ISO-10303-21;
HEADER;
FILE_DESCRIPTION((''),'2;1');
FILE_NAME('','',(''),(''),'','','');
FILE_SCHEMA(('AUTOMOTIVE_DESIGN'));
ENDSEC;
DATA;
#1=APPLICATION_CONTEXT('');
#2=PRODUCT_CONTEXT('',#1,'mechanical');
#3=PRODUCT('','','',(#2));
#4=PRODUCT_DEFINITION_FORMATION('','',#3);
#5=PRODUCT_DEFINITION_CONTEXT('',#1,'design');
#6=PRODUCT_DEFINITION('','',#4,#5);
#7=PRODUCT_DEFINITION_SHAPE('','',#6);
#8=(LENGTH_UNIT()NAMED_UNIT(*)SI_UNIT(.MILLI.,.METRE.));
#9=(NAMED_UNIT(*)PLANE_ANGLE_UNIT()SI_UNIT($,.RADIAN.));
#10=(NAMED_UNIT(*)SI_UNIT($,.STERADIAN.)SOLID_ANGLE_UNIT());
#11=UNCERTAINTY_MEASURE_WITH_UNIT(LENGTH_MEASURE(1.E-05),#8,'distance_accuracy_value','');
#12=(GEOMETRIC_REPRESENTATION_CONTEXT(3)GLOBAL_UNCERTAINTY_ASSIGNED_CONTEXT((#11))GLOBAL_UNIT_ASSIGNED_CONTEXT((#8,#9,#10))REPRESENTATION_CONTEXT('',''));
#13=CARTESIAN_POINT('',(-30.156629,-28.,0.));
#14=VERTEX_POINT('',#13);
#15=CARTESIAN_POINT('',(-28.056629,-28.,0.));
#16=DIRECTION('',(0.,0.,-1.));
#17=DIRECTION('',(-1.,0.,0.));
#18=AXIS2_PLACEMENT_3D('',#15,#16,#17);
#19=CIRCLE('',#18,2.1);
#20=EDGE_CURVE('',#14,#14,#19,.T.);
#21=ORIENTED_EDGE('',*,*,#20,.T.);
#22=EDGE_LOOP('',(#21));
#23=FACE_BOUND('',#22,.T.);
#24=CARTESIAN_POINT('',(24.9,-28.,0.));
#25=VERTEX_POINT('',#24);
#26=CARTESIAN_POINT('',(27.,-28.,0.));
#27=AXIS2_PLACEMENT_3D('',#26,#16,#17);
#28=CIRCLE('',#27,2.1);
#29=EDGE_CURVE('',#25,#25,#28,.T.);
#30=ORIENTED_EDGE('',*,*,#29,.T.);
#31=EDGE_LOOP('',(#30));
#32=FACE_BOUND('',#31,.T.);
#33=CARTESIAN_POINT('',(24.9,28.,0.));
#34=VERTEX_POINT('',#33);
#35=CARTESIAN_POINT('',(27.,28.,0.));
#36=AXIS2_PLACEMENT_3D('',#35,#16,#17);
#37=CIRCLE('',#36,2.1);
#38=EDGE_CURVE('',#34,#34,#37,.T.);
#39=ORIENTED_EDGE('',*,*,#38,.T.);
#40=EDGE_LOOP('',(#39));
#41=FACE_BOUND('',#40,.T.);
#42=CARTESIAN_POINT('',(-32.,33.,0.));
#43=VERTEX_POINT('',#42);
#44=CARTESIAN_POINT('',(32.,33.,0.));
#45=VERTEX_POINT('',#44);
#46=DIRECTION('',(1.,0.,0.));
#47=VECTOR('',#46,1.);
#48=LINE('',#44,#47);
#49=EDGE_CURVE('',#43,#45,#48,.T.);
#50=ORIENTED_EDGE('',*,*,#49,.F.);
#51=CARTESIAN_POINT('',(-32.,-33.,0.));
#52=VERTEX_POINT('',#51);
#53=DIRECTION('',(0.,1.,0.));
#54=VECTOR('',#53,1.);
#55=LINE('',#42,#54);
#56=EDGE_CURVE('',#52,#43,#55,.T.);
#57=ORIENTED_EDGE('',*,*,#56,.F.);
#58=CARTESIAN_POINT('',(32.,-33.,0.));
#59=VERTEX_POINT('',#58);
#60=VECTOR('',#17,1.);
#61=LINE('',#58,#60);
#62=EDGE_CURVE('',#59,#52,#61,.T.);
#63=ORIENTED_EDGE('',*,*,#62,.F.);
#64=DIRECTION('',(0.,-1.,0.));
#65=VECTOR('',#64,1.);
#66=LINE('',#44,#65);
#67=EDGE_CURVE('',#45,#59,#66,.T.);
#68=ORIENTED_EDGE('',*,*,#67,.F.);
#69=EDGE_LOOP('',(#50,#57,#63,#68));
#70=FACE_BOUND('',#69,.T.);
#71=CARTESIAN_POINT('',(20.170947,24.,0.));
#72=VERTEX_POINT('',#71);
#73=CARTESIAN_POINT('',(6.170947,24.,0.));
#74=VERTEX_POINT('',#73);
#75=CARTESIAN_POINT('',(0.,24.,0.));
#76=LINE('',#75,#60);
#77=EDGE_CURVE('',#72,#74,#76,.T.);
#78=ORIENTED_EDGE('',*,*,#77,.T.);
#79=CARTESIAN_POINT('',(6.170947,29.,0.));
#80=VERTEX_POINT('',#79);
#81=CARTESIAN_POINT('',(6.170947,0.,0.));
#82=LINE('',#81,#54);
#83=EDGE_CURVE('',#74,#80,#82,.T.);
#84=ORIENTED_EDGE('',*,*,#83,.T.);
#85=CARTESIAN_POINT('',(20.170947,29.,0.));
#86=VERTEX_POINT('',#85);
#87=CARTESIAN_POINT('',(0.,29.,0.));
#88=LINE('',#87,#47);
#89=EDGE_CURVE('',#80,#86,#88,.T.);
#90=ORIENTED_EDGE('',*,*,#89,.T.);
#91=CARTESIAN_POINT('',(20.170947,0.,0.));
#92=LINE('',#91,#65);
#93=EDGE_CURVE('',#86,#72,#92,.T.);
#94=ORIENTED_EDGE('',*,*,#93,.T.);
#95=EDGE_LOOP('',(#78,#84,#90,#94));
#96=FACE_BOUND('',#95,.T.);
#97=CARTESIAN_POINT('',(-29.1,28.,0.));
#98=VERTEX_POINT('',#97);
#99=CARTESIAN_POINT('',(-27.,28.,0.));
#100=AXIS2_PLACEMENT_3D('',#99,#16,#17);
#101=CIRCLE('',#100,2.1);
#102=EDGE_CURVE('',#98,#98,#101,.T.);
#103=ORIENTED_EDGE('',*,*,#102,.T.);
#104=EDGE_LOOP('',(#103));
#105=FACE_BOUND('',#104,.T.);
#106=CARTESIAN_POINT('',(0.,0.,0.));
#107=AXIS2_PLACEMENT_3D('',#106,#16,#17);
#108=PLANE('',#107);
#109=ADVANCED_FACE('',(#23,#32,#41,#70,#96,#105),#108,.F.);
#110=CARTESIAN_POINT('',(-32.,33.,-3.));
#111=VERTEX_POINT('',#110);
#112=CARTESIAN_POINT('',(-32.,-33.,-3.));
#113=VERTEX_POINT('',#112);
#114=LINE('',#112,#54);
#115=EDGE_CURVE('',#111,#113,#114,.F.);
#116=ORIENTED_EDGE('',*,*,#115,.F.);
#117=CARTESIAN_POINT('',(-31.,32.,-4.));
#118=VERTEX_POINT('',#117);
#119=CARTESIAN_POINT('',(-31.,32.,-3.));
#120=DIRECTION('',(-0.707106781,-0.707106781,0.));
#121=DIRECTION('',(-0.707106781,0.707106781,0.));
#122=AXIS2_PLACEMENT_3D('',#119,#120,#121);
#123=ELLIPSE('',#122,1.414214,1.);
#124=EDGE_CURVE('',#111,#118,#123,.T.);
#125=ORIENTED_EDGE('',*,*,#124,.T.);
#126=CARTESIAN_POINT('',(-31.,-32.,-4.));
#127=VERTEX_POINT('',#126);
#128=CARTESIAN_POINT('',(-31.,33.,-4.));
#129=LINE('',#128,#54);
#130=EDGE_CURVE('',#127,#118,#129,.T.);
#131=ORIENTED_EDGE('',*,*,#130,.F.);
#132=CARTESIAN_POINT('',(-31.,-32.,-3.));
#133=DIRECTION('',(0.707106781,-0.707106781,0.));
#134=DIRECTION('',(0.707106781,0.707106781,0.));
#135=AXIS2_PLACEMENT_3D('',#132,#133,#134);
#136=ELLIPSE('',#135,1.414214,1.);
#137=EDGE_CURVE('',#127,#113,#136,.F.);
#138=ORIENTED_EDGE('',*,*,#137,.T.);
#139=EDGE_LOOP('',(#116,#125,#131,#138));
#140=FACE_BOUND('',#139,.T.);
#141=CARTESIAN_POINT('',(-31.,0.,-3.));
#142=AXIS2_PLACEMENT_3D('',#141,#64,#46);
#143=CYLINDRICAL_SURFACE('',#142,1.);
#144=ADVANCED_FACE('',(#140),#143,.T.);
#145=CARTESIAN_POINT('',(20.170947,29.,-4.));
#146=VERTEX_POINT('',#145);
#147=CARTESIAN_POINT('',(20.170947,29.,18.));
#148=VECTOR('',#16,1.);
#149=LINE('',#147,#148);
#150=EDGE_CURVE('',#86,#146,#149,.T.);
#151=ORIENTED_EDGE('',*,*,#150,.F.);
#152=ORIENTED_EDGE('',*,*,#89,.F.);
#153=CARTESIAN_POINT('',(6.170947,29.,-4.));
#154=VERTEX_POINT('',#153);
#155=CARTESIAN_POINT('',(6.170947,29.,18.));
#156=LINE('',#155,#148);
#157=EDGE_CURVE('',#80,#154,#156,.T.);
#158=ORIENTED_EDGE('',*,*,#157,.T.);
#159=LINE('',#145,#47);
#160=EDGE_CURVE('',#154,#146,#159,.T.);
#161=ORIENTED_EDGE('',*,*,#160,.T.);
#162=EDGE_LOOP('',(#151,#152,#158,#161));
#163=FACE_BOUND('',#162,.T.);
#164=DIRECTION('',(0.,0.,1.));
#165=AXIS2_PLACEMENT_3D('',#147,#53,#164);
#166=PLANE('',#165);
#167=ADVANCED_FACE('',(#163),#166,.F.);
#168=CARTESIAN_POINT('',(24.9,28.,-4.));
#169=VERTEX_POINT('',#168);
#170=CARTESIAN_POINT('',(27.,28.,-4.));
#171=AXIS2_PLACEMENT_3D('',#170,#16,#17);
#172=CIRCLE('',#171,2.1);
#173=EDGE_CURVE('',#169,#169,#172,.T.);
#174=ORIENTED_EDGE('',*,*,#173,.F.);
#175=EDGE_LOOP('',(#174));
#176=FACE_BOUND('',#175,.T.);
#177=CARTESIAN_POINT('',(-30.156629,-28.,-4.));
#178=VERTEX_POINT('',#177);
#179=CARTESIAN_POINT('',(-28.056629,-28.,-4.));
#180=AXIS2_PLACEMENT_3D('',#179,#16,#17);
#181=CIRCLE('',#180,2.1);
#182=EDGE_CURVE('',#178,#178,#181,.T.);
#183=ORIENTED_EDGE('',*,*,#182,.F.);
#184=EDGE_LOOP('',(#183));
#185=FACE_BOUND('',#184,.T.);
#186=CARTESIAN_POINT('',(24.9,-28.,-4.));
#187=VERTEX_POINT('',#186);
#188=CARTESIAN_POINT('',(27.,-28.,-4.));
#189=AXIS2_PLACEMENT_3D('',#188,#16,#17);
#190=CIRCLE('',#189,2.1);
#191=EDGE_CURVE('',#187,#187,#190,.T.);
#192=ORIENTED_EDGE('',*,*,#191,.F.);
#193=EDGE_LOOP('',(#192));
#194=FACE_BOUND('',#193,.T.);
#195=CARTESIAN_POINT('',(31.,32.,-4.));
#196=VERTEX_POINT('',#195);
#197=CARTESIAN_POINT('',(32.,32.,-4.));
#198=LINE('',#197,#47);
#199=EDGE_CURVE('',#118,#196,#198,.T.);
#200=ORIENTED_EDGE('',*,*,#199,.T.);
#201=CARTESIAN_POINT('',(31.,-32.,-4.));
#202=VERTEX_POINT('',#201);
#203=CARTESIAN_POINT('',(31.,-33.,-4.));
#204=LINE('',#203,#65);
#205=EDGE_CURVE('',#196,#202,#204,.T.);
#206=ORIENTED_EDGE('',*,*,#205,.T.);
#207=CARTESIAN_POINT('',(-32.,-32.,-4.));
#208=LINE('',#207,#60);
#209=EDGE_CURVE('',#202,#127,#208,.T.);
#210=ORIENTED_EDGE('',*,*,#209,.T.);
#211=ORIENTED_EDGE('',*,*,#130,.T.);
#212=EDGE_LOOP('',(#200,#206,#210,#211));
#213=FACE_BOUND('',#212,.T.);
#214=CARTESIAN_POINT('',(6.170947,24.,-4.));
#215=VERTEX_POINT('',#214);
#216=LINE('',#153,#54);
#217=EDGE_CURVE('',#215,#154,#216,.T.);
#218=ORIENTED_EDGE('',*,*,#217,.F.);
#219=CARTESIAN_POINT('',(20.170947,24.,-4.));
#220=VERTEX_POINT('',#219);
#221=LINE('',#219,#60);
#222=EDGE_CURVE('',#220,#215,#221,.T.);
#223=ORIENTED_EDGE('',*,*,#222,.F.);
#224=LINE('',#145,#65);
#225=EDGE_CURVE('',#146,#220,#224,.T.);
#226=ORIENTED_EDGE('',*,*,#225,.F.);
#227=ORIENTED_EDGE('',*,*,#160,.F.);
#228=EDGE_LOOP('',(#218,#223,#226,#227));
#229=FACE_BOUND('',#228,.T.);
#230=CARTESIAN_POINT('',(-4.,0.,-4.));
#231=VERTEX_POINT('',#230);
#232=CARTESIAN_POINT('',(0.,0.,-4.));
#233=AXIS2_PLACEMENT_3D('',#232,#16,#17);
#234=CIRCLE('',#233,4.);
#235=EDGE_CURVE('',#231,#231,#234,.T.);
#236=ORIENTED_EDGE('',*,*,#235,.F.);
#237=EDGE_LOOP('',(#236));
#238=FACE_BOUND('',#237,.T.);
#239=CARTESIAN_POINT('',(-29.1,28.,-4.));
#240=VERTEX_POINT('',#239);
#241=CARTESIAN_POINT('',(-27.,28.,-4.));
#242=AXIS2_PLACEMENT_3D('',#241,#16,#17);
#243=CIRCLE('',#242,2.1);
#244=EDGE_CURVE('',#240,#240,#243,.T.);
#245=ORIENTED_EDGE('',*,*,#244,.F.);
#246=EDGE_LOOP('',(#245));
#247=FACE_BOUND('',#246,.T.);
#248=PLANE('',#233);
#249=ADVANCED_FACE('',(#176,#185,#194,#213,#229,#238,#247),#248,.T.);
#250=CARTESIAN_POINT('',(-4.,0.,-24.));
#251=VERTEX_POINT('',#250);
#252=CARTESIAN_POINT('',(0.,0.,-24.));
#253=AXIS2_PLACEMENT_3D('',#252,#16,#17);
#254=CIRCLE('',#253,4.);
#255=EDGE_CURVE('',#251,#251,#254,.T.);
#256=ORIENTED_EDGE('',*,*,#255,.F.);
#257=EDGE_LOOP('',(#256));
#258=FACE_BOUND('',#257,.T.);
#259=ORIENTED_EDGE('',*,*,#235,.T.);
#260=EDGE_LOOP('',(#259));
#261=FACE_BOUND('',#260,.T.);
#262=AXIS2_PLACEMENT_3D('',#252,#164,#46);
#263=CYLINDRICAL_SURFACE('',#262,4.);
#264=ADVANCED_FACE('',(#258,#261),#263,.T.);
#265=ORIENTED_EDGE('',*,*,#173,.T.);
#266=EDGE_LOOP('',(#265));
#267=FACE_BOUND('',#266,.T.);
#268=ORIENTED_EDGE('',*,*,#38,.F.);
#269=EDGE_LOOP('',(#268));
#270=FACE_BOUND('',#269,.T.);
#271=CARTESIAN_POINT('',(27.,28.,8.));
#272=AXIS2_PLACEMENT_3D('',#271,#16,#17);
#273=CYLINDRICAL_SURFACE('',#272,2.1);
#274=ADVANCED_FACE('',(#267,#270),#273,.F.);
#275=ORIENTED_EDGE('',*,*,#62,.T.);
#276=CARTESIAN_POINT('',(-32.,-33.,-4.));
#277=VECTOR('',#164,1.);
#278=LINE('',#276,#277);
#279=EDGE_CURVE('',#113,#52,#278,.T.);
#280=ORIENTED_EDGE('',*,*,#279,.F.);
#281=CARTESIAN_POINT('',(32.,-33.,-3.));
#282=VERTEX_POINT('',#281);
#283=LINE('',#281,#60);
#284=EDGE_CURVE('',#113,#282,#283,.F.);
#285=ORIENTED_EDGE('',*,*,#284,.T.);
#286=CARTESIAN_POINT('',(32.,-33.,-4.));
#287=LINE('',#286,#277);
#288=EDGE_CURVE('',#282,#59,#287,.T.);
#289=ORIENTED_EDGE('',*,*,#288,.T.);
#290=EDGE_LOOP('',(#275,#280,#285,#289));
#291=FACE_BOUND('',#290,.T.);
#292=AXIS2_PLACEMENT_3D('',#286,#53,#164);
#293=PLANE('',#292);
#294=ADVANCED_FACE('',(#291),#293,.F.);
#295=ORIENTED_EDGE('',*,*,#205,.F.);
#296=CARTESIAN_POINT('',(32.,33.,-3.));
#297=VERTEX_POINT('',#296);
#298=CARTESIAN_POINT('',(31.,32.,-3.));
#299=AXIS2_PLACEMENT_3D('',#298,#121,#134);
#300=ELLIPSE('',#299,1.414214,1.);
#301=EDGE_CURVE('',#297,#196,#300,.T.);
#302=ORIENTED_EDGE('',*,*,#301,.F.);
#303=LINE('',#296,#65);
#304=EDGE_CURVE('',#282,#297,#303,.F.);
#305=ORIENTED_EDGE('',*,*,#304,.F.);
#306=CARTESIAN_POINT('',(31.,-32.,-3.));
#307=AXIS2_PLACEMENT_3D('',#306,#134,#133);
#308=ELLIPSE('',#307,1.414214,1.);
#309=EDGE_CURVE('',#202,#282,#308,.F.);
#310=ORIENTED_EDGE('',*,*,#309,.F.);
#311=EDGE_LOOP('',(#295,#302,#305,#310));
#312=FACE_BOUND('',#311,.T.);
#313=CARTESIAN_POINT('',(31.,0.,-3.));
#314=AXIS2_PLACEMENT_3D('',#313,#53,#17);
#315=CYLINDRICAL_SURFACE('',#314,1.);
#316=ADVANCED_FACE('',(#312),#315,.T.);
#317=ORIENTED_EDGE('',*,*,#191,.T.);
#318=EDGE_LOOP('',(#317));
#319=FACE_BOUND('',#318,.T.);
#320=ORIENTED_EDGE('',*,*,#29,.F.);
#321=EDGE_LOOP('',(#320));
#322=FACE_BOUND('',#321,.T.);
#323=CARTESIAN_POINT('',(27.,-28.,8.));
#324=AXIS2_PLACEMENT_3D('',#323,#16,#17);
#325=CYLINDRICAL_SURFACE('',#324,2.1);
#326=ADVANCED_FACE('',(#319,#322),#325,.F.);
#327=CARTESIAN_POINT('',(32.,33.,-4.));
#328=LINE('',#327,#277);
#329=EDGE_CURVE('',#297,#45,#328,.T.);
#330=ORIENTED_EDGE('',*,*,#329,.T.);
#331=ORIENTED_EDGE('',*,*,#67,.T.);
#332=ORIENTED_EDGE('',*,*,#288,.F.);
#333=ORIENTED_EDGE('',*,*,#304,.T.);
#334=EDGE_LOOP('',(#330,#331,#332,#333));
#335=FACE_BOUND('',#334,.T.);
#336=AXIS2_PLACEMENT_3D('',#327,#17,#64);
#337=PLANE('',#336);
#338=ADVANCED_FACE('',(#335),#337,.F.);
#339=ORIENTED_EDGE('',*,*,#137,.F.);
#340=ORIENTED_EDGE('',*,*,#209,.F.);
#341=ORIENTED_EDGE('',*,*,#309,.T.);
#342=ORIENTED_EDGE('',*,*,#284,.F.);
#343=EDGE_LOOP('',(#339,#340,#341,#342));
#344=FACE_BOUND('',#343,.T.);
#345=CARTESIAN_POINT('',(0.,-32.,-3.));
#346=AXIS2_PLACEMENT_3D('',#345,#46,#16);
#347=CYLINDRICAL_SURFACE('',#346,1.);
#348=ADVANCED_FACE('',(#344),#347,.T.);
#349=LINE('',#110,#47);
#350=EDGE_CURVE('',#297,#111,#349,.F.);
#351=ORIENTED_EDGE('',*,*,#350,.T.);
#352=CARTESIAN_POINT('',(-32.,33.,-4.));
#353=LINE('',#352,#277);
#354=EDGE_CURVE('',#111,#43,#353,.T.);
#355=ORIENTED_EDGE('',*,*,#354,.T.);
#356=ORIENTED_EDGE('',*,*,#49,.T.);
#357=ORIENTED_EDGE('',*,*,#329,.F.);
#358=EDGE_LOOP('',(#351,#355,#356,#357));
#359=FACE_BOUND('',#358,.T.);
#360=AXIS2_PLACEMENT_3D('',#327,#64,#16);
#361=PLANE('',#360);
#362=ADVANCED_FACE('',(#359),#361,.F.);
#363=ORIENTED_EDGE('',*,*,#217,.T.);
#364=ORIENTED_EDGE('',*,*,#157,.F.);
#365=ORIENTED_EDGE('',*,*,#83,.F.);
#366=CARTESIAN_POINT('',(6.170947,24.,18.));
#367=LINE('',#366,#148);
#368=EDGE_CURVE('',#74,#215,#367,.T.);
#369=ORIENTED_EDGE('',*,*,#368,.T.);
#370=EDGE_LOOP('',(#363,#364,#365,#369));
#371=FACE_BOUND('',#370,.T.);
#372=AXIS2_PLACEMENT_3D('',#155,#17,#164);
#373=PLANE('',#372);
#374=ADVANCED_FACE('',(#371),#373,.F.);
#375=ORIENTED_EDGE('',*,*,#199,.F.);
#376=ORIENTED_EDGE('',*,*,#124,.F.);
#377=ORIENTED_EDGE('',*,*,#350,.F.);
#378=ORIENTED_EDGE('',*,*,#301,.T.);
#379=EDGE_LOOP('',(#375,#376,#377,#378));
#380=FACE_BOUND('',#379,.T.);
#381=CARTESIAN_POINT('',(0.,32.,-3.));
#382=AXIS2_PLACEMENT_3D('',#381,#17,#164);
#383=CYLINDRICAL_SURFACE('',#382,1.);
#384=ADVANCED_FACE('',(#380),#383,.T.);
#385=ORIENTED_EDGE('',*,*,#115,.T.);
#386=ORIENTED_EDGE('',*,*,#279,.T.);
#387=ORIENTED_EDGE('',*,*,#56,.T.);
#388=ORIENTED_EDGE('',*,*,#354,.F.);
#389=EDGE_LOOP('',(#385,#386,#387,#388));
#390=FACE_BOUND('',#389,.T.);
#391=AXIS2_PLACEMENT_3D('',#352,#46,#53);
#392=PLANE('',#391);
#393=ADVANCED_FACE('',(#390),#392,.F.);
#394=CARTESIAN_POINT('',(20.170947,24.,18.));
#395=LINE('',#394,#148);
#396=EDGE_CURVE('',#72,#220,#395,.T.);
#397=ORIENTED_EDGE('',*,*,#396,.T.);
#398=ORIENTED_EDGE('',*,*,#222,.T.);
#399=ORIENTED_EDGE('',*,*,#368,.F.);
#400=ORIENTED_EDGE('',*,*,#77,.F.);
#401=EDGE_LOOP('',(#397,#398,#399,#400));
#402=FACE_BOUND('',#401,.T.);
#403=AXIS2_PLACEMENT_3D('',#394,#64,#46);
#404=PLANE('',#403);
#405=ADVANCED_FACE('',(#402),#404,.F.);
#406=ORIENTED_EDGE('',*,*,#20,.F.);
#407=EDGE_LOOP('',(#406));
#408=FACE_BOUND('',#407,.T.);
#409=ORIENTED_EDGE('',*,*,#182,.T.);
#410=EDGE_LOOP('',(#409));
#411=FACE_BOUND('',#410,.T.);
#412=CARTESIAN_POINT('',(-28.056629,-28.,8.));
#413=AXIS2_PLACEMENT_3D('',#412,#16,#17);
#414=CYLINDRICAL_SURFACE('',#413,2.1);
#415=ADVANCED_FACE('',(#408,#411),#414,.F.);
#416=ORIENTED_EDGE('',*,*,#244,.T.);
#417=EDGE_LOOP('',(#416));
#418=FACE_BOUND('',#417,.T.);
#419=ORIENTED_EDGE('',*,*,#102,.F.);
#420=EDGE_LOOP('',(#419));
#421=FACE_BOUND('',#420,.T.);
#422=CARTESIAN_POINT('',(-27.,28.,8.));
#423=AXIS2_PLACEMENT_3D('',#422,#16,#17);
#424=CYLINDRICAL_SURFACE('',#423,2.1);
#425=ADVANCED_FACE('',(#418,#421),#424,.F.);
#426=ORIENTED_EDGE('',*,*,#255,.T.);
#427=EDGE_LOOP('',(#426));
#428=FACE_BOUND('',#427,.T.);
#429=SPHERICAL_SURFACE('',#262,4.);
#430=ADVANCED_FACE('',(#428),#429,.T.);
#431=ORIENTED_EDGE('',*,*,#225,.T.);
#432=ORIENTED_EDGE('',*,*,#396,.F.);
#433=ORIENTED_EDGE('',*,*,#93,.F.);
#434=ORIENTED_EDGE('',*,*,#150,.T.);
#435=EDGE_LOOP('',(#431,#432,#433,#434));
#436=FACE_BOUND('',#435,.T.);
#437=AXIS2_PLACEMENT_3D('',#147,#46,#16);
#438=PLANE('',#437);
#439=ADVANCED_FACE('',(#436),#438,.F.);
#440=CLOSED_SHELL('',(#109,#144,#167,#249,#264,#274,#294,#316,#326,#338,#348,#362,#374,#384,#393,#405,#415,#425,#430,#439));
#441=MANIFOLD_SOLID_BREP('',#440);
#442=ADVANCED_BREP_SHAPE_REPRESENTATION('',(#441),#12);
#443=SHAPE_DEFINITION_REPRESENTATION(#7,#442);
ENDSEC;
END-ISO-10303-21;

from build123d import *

# Parameters (mm, degrees)
SKETCH1_R           = 21
BOSS_EXTRUDE1_DEPTH = 8
SKETCH2_R           = 2
CUT_EXTRUDE1_DEPTH  = 10
SKETCH4_R           = 1.1
CUT_EXTRUDE2_DEPTH  = 10
SKETCH5_R           = 1.1
CUT_EXTRUDE3_DEPTH  = 10
SKETCH11_W          = 64
SKETCH11_H          = 66
BOSS_EXTRUDE3_DEPTH = 4
FILLET12_R          = 1
SKETCH16_W          = 14
SKETCH16_H          = 5
CUT_EXTRUDE7_DEPTH  = 22
SKETCH17_R          = 21
CUT_EXTRUDE9_DEPTH  = 8
SKETCH18_R          = 2.1
CUT_EXTRUDE10_DEPTH = 12
SKETCH19_R          = 4
BOSS_EXTRUDE4_DEPTH = 20


with BuildPart() as part:
    # Sketch1 → Boss-Extrude1 (new body)
    with BuildSketch(Plane.XY):
        Circle(SKETCH1_R)
    extrude(amount=BOSS_EXTRUDE1_DEPTH)

    # Sketch2 → Cut-Extrude1 (cut)
    with BuildSketch(Plane(origin=(0, 0, 0), x_dir=(-1, 0, 0), z_dir=(0, 0, -1))):
        Circle(SKETCH2_R)
    extrude(amount=-CUT_EXTRUDE1_DEPTH, mode=Mode.SUBTRACT)

    # Sketch4 → Cut-Extrude2 (cut)
    with BuildSketch(Plane(origin=(0, 0, 0), x_dir=(-1, 0, 0), z_dir=(0, 0, -1))):
        with Locations((16, 0)):
            Circle(SKETCH4_R)
    extrude(amount=-CUT_EXTRUDE2_DEPTH, mode=Mode.SUBTRACT)

    # Sketch5 → Cut-Extrude3 (cut)
    with BuildSketch(Plane(origin=(0, 0, 0), x_dir=(-1, 0, 0), z_dir=(0, 0, -1))):
        with Locations((-16, 0)):
            Circle(SKETCH5_R)
    extrude(amount=-CUT_EXTRUDE3_DEPTH, mode=Mode.SUBTRACT)

    # Sketch11 → Boss-Extrude3 (add)
    with BuildSketch(Plane(origin=(0, 0, 0), x_dir=(-1, 0, 0), z_dir=(0, 0, -1))):
        Rectangle(SKETCH11_W, SKETCH11_H)
    extrude(amount=BOSS_EXTRUDE3_DEPTH)

    # Fillet12
    fillet12_edges = [part.edges().sort_by_distance(p)[0] for p in [
        (-32, 0, -4),
        (0, 33, -4),
        (32, 0, -4),
        (0, -33, -4),
    ]]
    fillet(fillet12_edges, radius=FILLET12_R)

    # Sketch16 → Cut-Extrude7 (cut)
    with BuildSketch(Plane(origin=(0, 0, -4), x_dir=(-1, 0, 0), z_dir=(0, 0, -1))):
        with Locations((-13.170947401, 26.5)):
            Rectangle(SKETCH16_W, SKETCH16_H)
    extrude(amount=-CUT_EXTRUDE7_DEPTH, mode=Mode.SUBTRACT)

    # Sketch17 → Cut-Extrude9 (cut)
    with BuildSketch(Plane.XY.offset(8)):
        Circle(SKETCH17_R)
    extrude(amount=-CUT_EXTRUDE9_DEPTH, mode=Mode.SUBTRACT)

    # Sketch18 → Cut-Extrude10 (cut)
    with BuildSketch(Plane(origin=(0, 0, -4), x_dir=(-1, 0, 0), z_dir=(0, 0, -1))):
        with Locations((-27, 28)):
            Circle(SKETCH18_R)
        with Locations((-27, -28)):
            Circle(SKETCH18_R)
        with Locations((28.056628896, -28)):
            Circle(SKETCH18_R)
        with Locations((27, 28)):
            Circle(SKETCH18_R)
    extrude(amount=-CUT_EXTRUDE10_DEPTH, mode=Mode.SUBTRACT)

    # Sketch19 → Boss-Extrude4 (add)
    with BuildSketch(Plane(origin=(0, 0, -4), x_dir=(-1, 0, 0), z_dir=(0, 0, -1))):
        Circle(SKETCH19_R)
    extrude(amount=BOSS_EXTRUDE4_DEPTH)

    # Sketch20 → Revolve1 (revolve)
    with BuildSketch(Plane(origin=(0, 0, 0), x_dir=(1, 0, 0), z_dir=(0, 1, 0))):
        with BuildLine():
            Line((0, 24), (-4, 24))
            ThreePointArc((-4, 24), (-2.828427125, 26.828427125), (0, 28))
            Line((0, 28), (0, 24))
        make_face()
    revolve(axis=Axis((0, 0, -24), (0, 0, -1)))


solid = part.part
